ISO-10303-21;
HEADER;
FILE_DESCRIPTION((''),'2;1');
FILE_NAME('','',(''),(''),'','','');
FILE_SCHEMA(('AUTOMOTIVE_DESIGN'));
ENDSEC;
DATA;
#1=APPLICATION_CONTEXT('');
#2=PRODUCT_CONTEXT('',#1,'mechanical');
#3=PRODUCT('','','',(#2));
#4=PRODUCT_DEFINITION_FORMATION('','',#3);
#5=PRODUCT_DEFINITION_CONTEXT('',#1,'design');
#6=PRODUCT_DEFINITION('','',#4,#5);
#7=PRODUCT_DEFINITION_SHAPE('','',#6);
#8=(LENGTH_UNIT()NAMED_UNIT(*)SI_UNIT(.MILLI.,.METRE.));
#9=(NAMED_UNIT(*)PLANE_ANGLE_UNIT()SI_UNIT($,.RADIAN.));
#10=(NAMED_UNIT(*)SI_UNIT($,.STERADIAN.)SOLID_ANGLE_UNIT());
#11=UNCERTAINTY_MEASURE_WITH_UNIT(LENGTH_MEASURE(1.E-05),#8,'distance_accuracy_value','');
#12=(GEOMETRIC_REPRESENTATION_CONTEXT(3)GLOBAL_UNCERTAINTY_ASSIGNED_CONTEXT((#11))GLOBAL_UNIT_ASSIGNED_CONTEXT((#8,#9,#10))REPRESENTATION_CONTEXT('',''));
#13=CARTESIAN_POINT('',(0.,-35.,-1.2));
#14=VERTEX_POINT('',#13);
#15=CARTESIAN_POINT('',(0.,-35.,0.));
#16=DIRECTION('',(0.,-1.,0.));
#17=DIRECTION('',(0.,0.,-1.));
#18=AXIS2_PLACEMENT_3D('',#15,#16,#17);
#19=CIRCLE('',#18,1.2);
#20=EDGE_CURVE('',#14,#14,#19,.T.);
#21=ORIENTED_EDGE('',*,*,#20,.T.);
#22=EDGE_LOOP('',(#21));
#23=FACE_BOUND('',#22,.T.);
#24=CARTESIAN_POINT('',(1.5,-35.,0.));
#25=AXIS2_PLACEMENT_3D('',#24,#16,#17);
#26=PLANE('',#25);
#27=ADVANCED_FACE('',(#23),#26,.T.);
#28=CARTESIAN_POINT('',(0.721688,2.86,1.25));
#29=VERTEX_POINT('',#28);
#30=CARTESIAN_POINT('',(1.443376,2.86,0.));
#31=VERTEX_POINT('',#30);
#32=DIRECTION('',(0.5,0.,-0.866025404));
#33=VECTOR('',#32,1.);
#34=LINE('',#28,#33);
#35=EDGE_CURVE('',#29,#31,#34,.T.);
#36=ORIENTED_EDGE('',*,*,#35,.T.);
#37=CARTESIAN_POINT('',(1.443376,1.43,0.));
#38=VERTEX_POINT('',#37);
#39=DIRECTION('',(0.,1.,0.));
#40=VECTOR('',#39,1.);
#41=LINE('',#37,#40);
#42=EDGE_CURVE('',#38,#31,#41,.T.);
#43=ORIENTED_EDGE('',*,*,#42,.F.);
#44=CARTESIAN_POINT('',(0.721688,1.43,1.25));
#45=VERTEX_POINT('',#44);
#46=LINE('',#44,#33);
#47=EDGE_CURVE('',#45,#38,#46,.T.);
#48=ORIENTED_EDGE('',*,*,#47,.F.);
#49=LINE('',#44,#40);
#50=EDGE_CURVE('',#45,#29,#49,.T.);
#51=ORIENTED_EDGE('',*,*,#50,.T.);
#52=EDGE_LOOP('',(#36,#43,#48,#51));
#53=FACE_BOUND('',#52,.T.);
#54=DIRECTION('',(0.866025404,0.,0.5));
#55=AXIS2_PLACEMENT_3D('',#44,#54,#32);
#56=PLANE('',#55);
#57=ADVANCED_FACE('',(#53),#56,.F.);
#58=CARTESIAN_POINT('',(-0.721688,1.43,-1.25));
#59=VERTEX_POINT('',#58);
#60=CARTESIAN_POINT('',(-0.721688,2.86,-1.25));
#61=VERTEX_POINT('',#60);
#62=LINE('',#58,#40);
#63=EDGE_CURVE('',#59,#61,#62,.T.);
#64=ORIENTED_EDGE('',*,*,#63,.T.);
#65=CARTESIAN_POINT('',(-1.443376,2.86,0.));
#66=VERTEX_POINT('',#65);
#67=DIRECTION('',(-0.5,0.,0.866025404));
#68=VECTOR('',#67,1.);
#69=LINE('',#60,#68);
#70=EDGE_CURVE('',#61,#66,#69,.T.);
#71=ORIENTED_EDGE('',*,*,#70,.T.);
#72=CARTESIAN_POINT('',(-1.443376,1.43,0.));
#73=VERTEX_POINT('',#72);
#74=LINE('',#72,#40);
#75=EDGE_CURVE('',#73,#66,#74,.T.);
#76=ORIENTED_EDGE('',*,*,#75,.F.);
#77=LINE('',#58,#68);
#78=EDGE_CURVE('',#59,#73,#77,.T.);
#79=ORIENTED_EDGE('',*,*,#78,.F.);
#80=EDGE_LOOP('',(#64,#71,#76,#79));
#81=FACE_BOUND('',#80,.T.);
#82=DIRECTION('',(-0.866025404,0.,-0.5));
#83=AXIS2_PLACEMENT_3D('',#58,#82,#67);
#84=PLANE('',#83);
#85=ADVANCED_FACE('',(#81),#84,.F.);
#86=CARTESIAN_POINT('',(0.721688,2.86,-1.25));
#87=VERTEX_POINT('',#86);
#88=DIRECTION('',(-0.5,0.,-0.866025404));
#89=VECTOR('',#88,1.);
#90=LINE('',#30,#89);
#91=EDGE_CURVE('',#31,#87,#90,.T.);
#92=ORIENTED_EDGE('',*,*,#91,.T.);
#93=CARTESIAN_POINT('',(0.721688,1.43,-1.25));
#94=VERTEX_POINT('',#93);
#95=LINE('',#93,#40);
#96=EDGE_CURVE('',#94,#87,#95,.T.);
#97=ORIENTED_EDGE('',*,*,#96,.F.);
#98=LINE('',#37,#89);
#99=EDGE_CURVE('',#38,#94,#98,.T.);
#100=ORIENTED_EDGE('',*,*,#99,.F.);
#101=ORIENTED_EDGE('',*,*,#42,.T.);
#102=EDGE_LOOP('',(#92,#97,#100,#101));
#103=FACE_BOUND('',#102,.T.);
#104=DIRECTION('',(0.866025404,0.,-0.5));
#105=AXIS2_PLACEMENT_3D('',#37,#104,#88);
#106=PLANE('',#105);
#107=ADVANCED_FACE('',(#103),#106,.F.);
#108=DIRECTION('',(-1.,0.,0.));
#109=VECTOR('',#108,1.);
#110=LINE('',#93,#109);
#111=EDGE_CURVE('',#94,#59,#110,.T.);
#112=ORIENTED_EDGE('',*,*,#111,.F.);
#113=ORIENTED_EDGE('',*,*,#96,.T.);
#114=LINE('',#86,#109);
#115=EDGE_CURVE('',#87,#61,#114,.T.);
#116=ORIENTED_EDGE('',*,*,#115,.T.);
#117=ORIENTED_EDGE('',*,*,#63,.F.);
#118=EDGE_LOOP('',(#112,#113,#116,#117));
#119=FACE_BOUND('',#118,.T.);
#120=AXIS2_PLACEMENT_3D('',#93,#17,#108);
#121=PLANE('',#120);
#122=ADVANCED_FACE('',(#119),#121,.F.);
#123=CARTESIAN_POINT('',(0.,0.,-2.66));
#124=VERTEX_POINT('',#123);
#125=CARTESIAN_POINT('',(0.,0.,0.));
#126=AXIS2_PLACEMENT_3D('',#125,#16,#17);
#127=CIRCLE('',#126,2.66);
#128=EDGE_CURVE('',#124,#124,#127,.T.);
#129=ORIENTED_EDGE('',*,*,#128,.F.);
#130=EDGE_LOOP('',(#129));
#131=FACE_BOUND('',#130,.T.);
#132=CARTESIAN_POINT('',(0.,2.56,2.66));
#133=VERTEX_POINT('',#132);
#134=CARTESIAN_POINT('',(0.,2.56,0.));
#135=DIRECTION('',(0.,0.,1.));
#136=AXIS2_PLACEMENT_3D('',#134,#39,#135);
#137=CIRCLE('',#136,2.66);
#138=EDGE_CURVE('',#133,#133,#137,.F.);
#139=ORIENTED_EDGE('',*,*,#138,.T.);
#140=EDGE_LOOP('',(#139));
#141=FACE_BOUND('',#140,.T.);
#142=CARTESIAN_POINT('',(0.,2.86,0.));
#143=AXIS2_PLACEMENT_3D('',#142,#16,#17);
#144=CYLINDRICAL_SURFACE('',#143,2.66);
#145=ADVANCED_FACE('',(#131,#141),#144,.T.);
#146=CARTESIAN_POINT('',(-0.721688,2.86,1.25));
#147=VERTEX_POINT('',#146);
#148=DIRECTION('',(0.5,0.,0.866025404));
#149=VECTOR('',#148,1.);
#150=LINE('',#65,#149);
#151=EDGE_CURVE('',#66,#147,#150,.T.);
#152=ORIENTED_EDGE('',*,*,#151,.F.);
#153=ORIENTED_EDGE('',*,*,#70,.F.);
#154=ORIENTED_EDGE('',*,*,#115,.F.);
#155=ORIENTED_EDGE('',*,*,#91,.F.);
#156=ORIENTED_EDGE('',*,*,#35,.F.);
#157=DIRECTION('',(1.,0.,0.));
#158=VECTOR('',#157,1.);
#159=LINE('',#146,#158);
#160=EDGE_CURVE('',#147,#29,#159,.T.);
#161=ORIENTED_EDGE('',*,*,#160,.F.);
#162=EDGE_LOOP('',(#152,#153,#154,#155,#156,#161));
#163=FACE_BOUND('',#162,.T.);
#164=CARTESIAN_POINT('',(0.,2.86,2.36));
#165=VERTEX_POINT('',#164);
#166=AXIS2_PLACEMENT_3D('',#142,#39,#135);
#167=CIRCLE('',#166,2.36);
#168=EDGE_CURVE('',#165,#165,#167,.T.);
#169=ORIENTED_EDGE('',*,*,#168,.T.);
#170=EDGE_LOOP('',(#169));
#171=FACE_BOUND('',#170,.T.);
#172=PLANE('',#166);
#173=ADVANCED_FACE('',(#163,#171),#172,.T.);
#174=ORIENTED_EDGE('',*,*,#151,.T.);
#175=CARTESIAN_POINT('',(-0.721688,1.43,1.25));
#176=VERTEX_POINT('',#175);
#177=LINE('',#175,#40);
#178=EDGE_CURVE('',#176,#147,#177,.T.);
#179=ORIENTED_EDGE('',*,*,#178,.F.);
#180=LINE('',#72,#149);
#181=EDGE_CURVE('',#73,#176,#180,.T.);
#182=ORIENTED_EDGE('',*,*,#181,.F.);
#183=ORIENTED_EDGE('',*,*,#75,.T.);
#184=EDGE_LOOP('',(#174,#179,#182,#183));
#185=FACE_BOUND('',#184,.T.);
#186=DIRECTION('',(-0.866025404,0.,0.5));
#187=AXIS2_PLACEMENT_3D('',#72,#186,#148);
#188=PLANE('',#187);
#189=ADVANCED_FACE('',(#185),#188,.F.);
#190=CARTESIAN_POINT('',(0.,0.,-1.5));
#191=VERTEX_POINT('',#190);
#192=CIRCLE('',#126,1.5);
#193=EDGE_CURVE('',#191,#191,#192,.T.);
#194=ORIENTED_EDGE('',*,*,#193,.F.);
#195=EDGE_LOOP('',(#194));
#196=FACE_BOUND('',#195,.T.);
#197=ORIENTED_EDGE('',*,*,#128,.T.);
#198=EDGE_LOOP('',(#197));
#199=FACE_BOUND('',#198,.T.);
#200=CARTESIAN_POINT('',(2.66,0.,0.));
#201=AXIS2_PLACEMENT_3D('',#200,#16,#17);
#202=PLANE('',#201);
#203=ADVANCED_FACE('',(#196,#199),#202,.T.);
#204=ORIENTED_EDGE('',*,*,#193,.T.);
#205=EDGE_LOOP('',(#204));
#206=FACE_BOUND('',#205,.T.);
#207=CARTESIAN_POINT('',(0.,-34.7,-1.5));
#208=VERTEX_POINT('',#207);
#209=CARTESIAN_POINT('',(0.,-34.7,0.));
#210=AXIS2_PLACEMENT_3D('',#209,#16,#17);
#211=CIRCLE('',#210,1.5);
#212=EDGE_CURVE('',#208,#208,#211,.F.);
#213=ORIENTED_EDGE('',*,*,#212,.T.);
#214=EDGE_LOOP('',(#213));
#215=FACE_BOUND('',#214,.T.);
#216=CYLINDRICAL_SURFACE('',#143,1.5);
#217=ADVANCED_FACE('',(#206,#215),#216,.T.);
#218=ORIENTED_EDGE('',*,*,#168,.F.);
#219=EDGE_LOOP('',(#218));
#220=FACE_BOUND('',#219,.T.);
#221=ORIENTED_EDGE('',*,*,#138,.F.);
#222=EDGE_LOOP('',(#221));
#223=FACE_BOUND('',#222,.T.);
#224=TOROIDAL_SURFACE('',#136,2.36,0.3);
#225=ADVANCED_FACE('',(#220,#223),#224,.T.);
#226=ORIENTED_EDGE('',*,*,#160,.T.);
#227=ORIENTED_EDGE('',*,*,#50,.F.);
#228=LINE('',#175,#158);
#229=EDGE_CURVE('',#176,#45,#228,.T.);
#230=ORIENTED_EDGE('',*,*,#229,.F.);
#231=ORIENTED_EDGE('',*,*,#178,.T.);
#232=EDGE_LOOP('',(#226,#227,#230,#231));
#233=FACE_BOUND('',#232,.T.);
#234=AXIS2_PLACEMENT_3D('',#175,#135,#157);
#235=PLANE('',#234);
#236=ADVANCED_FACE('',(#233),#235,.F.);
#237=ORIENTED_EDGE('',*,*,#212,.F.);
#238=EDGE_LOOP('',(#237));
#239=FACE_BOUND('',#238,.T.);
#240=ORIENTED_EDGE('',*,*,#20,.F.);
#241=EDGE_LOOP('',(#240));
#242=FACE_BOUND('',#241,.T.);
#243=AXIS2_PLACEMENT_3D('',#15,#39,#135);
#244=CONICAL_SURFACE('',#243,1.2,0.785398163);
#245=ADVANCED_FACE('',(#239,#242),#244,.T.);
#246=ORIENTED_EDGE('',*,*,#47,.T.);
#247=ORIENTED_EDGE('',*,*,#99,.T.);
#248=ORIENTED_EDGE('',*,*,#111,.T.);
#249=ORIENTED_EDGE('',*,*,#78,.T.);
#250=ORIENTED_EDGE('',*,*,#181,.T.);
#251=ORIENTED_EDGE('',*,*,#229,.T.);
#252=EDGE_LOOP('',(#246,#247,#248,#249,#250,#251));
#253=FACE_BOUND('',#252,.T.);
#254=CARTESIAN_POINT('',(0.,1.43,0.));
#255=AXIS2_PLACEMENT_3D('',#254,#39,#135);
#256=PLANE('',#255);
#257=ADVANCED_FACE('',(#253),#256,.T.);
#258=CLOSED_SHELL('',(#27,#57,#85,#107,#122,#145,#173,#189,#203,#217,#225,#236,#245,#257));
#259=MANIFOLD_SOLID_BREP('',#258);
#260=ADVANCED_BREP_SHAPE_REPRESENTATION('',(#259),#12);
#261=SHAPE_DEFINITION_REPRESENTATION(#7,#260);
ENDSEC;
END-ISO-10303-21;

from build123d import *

# Parameters (mm, degrees)
CHAMFER1_SIZE      = 0.3
FILLET1_R          = 0.3
CUT_EXTRUDE1_DEPTH = 1.43


with BuildPart() as part:
    # Sketch1 → Revolve1 (revolve)
    with BuildSketch(Plane.XY, mode=Mode.PRIVATE) as revolve1_sk:
        Polygon((0, 0), (0, 2.86), (2.66, 2.86), (2.66, 0), (1.5, 0), (1.5, -35), (0, -35), align=None)
    revolve(revolve1_sk.sketch.rotate(Axis((0, 2.86, 0), (0, 1, 0)), 90), axis=Axis((0, 2.86, 0), (0, 1, 0)))

    # Chamfer1
    chamfer1_edges = [part.edges().sort_by_distance(p)[0] for p in [
        (0, -35, 1.5),
    ]]
    chamfer(chamfer1_edges, length=CHAMFER1_SIZE)

    # Fillet1
    fillet1_edges = [part.edges().sort_by_distance(p)[0] for p in [
        (0, 2.86, 2.66),
    ]]
    fillet(fillet1_edges, radius=FILLET1_R)

    # Sketch2 → Cut-Extrude1 (cut)
    with BuildSketch(Plane(origin=(0, 2.86, 0), x_dir=(1, 0, 0), z_dir=(0, 1, 0))):
        Polygon((0.721687836, -1.25), (1.443375673, 0), (0.721687836, 1.25), (-0.721687836, 1.25), (-1.443375673, 0), (-0.721687836, -1.25), align=None)
    extrude(amount=-CUT_EXTRUDE1_DEPTH, mode=Mode.SUBTRACT)


solid = part.part
